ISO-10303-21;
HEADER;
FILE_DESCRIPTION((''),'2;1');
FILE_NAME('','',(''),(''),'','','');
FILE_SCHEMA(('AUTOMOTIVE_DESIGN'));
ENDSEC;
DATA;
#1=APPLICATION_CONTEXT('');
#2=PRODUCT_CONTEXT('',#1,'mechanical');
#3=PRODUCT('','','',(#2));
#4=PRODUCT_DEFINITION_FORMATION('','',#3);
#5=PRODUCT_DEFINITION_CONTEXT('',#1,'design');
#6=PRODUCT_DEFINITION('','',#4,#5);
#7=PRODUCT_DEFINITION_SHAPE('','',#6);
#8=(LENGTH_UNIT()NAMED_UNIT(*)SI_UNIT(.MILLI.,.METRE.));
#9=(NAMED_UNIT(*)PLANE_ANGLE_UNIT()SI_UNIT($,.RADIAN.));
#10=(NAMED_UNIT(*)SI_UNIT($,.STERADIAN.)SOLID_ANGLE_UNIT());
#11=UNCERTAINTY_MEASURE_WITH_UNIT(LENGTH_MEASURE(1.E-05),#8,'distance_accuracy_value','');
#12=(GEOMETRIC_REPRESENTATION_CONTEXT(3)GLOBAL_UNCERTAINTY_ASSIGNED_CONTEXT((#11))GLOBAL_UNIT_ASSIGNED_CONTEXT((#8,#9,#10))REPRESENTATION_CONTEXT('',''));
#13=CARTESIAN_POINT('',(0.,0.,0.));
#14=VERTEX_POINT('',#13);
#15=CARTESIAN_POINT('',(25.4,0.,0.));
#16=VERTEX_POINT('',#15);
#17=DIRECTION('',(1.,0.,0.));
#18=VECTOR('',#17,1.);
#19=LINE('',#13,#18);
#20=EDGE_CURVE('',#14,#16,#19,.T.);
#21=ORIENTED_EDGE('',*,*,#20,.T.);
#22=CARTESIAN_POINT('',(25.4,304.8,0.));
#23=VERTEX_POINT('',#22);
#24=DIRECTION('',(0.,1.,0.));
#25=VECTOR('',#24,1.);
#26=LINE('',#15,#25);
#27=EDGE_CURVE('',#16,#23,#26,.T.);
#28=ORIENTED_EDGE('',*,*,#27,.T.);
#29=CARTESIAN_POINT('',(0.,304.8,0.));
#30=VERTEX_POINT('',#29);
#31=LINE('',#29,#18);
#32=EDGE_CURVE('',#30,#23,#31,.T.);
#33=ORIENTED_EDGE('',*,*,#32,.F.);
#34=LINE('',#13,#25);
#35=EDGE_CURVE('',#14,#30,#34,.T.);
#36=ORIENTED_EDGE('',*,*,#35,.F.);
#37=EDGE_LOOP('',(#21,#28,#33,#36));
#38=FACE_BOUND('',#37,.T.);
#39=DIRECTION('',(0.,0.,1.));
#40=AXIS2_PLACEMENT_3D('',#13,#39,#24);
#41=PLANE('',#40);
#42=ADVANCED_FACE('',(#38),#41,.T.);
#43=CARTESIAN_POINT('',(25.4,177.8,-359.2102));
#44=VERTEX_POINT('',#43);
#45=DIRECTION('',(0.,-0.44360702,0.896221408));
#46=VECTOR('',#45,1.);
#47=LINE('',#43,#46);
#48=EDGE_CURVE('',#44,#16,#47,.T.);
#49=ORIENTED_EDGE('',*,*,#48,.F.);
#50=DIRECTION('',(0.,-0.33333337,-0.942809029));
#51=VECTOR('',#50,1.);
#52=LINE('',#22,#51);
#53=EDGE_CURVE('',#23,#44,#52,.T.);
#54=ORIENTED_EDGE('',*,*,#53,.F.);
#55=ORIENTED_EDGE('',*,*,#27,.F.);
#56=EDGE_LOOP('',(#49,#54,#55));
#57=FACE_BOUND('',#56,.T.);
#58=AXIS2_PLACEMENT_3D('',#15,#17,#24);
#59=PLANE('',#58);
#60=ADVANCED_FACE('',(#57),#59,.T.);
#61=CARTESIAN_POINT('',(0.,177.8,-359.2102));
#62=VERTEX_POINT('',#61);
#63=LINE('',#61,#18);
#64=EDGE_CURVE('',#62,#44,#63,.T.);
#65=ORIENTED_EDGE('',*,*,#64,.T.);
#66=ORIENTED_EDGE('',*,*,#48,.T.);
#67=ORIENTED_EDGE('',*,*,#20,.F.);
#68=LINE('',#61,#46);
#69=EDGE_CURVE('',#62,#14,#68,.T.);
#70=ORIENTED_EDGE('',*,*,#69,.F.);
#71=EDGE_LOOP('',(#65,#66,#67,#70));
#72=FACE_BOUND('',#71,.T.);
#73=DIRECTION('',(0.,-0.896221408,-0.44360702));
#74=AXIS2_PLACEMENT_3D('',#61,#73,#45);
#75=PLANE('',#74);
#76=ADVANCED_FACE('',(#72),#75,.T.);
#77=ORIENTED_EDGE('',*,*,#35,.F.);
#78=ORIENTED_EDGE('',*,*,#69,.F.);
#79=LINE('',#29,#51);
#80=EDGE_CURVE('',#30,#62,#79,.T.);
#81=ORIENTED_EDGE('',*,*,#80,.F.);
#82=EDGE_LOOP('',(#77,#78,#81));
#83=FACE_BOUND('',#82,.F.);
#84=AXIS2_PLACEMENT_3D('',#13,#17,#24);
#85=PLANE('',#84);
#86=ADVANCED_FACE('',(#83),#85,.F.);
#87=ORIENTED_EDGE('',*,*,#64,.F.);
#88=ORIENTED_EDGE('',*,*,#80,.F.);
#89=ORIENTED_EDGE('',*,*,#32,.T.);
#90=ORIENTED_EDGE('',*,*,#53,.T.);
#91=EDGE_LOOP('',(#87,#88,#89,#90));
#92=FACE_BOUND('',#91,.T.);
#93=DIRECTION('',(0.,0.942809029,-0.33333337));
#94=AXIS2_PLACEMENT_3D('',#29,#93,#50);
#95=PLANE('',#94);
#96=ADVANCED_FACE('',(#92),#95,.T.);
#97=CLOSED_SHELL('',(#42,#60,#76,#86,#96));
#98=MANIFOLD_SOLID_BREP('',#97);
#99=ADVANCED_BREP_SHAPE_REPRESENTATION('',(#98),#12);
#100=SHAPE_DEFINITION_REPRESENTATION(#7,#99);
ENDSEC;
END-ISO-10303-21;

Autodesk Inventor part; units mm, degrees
ref_plane "YZ Plane" through (0, 0, 0) normal (1, 0, 0) x (0, 1, 0)
ref_plane "XZ Plane" through (0, 0, 0) normal (0, 1, 0) x (-1, 0, 0)
ref_plane "XY Plane" through (0, 0, 0) normal (0, 0, 1) x (1, 0, 0)
sketch "Sketch2" plane through (0, 0, 0) normal (1, 0, 0) x (0, 1, 0)
  line L0 (0, 0) -> (304.8, 0)
  line L1 (304.8, 0) -> (177.8, -359.2102)
  line L2 (177.8, -359.2102) -> (0, 0)
  dimension "d1" = 304.8
  dimension "d2" = 381
extrude "Extrusion1" add sketch "Sketch2" along normal blind 25.4
properties part number "HPSFlagOrange-ver1-1111-2021"
